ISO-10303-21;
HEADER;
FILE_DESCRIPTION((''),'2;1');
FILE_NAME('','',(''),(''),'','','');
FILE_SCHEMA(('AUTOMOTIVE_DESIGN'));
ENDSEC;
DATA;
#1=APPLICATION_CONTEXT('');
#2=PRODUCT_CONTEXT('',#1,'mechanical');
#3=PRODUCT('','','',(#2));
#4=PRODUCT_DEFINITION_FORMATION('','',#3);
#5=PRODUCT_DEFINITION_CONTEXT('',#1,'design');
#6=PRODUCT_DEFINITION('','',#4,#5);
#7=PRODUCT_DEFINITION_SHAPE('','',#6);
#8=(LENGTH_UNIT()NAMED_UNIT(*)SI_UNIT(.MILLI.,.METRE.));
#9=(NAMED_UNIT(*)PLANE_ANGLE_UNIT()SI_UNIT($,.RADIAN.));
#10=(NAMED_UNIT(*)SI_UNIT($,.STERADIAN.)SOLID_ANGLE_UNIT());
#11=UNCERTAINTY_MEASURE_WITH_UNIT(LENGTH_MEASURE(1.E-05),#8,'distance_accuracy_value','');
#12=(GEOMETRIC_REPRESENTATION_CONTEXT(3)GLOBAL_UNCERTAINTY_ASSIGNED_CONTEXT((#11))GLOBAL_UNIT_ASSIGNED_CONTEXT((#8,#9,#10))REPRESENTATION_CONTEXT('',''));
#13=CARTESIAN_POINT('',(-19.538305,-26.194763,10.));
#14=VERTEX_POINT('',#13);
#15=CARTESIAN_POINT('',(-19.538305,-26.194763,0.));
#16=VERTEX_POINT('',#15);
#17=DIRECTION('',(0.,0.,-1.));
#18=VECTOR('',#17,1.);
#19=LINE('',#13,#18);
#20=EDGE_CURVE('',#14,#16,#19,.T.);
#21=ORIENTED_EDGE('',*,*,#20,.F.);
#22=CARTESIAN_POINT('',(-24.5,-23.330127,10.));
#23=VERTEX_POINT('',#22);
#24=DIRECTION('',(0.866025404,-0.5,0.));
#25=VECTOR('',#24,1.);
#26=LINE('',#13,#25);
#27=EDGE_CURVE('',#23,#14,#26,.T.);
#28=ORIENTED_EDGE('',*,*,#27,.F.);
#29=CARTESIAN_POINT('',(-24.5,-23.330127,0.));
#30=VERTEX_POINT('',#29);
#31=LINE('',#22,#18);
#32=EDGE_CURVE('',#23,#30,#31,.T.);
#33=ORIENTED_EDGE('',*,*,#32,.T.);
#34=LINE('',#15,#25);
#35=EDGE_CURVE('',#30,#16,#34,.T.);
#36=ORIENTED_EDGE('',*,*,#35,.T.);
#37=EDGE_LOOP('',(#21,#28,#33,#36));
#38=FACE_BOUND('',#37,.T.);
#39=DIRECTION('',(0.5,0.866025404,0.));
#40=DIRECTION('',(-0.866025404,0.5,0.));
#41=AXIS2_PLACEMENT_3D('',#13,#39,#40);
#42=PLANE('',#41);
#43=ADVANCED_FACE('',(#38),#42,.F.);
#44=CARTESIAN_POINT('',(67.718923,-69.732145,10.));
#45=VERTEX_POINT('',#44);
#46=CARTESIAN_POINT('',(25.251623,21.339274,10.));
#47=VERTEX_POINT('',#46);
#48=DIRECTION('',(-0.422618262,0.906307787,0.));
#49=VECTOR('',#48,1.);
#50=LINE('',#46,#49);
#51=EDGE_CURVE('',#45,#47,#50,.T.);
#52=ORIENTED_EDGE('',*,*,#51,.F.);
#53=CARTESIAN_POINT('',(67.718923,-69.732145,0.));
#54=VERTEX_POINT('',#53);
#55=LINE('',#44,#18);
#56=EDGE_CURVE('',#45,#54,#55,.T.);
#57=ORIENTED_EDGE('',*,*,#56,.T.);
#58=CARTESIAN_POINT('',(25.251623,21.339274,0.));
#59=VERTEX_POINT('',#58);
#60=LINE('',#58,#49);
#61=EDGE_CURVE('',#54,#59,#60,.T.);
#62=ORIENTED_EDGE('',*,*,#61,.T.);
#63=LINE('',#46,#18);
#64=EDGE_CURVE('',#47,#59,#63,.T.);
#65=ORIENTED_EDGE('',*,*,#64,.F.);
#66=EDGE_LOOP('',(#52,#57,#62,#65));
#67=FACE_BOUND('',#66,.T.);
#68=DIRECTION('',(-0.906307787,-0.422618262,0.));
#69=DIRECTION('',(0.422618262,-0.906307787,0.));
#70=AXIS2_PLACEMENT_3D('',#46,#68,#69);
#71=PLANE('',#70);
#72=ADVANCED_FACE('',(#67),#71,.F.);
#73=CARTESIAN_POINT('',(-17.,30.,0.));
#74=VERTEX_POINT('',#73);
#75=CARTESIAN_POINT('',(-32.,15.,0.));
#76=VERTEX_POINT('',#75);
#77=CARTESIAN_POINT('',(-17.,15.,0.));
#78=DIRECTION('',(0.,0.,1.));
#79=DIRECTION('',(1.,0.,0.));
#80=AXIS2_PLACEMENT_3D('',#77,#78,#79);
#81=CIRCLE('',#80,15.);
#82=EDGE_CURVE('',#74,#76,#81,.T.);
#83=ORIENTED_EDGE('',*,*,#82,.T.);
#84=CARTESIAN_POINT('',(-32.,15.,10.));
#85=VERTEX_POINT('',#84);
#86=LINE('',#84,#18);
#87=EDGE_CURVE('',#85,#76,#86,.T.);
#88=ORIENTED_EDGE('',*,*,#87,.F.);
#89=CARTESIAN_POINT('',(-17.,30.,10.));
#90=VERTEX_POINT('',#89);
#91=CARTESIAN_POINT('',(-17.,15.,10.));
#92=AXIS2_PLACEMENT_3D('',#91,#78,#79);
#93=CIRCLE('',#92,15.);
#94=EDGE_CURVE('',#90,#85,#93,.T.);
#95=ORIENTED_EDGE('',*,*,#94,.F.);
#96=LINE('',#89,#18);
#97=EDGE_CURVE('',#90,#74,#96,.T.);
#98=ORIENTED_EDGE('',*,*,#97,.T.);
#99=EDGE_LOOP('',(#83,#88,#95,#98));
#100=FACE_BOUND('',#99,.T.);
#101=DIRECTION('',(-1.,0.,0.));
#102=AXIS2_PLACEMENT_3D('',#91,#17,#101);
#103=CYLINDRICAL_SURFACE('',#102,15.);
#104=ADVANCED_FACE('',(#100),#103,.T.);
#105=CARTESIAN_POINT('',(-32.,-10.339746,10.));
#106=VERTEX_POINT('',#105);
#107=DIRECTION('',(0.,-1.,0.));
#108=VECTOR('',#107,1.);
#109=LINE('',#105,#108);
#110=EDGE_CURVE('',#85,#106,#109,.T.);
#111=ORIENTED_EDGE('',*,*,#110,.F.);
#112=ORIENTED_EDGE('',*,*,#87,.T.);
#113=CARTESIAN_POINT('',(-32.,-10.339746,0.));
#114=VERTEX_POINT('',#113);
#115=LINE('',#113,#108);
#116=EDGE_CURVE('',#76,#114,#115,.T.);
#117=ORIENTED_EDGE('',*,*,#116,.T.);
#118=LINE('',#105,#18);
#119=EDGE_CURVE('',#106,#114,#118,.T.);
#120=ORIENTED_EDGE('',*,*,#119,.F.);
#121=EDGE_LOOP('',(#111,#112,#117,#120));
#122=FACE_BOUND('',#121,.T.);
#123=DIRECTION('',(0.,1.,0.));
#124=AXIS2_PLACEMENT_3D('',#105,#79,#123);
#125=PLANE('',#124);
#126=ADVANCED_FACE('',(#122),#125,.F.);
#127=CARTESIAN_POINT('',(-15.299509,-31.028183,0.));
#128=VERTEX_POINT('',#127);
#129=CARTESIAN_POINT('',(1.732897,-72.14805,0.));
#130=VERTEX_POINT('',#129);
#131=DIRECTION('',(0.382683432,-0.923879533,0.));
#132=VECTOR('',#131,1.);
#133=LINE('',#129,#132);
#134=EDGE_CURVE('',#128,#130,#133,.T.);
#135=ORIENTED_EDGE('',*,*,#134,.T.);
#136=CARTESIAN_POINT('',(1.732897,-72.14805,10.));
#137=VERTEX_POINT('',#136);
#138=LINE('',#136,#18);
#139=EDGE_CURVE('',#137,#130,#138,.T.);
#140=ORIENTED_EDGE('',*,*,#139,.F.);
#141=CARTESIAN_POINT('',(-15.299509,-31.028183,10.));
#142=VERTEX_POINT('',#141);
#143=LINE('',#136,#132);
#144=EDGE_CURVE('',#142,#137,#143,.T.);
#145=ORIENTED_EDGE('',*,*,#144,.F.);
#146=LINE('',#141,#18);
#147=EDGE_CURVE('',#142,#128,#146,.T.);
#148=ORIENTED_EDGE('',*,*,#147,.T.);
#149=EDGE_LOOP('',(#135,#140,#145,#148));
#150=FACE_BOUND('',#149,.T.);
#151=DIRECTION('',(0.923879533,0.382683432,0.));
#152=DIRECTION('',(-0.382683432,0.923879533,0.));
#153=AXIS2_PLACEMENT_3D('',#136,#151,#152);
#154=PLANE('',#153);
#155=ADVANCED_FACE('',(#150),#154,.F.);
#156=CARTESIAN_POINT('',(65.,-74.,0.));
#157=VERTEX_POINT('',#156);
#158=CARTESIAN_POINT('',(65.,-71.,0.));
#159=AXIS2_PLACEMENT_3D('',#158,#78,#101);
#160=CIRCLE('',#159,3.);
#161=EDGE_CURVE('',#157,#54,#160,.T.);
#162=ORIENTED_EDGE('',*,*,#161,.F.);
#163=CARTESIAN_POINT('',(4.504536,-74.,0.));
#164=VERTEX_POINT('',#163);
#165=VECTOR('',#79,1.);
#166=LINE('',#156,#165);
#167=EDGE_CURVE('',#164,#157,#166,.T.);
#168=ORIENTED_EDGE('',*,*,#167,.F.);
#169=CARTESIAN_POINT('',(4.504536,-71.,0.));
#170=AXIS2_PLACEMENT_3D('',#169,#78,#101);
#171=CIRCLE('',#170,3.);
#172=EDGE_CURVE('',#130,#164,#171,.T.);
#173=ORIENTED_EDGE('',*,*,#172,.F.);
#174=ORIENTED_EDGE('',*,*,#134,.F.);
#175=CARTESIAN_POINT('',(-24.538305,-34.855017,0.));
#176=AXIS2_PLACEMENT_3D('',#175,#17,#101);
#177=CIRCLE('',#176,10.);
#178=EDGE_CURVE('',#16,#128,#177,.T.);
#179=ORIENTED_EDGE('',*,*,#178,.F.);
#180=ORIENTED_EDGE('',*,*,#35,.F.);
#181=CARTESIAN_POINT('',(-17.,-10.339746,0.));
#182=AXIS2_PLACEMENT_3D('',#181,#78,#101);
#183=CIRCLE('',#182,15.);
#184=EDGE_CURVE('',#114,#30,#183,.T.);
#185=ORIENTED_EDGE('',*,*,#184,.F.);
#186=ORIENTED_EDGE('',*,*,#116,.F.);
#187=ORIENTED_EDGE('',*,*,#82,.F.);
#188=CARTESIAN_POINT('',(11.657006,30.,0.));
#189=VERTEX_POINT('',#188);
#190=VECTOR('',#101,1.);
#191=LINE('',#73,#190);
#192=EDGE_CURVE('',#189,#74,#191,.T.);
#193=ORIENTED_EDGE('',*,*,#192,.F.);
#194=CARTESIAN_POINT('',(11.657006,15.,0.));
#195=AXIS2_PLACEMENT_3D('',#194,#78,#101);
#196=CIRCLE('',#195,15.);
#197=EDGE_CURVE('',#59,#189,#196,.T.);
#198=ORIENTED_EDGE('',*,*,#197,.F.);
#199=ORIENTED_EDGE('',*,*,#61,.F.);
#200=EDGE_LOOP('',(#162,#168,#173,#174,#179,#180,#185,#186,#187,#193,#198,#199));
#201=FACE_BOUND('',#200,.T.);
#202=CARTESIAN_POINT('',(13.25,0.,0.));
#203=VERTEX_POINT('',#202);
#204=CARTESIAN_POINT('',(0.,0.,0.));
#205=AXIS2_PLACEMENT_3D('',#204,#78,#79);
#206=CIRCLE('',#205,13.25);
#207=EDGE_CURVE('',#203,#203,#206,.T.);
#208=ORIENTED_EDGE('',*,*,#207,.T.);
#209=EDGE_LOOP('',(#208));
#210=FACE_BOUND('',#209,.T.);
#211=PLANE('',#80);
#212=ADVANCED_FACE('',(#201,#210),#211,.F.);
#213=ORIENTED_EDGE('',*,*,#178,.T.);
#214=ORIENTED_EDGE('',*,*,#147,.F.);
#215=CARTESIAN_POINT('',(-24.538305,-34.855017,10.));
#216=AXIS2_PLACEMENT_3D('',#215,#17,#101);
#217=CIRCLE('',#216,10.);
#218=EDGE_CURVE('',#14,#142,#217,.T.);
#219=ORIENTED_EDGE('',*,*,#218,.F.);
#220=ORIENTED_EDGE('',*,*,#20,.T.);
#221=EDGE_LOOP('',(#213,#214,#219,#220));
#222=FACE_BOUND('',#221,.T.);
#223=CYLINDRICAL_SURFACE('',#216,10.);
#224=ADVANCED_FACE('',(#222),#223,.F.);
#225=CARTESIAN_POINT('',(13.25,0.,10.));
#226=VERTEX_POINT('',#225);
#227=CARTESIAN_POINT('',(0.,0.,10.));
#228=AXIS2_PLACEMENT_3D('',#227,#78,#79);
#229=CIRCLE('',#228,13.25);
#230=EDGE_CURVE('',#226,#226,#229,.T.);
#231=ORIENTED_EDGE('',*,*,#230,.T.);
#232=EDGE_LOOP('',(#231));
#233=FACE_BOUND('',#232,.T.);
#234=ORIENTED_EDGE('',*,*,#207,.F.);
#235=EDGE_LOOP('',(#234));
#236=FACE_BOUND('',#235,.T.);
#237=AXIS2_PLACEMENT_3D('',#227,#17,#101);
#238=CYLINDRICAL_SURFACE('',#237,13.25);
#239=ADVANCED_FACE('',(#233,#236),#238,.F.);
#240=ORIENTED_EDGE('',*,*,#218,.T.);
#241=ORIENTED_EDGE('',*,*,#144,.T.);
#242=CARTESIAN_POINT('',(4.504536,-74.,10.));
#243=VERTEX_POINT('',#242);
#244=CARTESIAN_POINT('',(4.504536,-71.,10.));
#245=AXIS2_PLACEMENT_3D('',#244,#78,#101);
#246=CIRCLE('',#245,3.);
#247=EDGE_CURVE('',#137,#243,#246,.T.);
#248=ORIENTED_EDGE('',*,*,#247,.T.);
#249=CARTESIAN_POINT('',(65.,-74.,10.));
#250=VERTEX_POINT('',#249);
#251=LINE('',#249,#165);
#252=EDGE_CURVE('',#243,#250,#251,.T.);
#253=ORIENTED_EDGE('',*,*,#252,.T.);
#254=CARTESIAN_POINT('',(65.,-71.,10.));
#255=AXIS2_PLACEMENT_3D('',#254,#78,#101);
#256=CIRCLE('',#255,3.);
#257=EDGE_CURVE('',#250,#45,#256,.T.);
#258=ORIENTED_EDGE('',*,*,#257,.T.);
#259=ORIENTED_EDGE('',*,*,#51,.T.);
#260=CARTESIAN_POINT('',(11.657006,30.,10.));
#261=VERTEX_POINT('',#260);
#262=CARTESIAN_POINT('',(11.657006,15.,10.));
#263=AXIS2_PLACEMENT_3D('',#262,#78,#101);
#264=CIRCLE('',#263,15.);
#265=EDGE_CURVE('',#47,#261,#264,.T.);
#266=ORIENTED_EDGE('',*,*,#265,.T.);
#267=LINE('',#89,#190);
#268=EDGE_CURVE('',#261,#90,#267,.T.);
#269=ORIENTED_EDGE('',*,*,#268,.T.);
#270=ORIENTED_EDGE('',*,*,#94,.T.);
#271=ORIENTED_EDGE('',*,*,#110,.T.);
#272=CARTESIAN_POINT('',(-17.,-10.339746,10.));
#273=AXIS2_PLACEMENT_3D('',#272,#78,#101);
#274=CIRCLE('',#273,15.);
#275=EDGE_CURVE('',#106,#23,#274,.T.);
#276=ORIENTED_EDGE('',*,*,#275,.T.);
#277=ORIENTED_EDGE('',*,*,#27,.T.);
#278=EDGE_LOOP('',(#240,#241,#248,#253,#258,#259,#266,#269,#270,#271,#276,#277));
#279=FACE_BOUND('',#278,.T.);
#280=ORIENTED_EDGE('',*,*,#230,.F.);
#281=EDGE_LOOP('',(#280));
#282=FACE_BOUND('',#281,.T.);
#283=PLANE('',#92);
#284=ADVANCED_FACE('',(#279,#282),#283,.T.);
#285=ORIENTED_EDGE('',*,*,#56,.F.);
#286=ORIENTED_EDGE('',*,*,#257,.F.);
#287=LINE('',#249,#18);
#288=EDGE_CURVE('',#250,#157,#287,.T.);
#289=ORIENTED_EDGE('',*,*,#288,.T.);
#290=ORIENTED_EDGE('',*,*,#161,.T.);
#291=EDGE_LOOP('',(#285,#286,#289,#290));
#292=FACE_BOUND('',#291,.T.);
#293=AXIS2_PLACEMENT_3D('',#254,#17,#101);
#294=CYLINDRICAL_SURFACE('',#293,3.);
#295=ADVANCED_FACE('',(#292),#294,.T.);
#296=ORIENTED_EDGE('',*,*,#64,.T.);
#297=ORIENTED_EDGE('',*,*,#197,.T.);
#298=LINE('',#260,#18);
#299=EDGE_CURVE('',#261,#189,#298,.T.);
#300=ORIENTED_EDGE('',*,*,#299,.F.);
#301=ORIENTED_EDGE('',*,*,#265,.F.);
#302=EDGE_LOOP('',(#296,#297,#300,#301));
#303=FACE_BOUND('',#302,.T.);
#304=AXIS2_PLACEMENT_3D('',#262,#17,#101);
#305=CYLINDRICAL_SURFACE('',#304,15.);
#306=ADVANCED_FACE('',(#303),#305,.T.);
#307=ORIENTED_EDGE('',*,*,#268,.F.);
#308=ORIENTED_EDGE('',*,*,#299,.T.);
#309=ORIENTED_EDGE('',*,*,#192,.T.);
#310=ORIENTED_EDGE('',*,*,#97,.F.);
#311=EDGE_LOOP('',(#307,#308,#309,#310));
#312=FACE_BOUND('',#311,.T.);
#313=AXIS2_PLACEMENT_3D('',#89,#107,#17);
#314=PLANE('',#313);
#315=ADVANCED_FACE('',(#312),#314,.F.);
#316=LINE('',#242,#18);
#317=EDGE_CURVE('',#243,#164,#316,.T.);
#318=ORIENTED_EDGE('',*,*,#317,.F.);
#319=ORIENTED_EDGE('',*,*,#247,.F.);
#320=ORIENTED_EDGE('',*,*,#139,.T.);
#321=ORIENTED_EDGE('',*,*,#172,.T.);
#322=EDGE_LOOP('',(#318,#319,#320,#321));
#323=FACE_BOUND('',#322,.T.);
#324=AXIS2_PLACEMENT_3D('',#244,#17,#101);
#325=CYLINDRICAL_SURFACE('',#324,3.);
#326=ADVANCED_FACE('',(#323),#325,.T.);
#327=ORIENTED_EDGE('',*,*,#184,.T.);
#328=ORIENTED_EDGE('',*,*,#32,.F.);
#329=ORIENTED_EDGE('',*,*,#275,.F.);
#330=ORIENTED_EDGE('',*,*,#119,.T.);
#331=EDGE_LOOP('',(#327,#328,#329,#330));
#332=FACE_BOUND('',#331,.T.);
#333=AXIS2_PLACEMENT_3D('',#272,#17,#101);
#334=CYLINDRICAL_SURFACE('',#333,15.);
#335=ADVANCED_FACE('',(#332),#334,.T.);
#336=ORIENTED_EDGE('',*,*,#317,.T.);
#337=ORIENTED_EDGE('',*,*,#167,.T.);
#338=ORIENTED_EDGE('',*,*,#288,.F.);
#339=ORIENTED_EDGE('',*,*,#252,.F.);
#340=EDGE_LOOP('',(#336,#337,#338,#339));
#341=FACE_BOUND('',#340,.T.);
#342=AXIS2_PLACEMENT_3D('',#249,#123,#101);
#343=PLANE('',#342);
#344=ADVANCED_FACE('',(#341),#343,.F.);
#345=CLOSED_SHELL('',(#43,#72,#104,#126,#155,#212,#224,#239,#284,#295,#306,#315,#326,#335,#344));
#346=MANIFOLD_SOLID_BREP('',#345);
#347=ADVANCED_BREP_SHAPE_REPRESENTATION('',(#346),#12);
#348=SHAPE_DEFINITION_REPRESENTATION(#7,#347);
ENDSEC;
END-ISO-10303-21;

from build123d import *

# Parameters (mm, degrees)
SKETCH1_R      = 13.25
EXTRUDE1_DEPTH = 10


with BuildPart() as part:
    # Sketch1 → Extrude1 (new body)
    with BuildSketch(Plane.XY):
        with BuildLine():
            Line((-17, 29.999999993), (11.657006374, 29.999999993))
            ThreePointArc((11.657006374, 29.999999993), (19.7165005, 27.65087168), (25.25162318, 21.339273919))
            Line((25.25162318, 21.339273919), (67.718923361, -69.732145215))
            ThreePointArc((67.718923361, -69.732145215), (67.530174337, -72.611898825), (65, -74))
            Line((65, -74), (4.504535914, -74))
            ThreePointArc((4.504535914, -74), (2.837825215, -73.494408837), (1.732897316, -72.148050297))
            Line((1.732897316, -72.148050297), (-15.299509487, -31.028182792))
            ThreePointArc((-15.299509487, -31.028182792), (-17.019906738, -28.261558965), (-19.538304812, -26.194763078))
            Line((-19.538304812, -26.194763078), (-24.5, -23.330127026))
            ThreePointArc((-24.5, -23.330127026), (-29.990381057, -17.839745969), (-32, -10.339745969))
            Line((-32, -10.339745969), (-32, 14.999999993))
            ThreePointArc((-32, 14.999999993), (-27.606601718, 25.606601711), (-17, 29.999999993))
        make_face()
        Circle(SKETCH1_R, mode=Mode.SUBTRACT)
    extrude(amount=EXTRUDE1_DEPTH)


solid = part.part
